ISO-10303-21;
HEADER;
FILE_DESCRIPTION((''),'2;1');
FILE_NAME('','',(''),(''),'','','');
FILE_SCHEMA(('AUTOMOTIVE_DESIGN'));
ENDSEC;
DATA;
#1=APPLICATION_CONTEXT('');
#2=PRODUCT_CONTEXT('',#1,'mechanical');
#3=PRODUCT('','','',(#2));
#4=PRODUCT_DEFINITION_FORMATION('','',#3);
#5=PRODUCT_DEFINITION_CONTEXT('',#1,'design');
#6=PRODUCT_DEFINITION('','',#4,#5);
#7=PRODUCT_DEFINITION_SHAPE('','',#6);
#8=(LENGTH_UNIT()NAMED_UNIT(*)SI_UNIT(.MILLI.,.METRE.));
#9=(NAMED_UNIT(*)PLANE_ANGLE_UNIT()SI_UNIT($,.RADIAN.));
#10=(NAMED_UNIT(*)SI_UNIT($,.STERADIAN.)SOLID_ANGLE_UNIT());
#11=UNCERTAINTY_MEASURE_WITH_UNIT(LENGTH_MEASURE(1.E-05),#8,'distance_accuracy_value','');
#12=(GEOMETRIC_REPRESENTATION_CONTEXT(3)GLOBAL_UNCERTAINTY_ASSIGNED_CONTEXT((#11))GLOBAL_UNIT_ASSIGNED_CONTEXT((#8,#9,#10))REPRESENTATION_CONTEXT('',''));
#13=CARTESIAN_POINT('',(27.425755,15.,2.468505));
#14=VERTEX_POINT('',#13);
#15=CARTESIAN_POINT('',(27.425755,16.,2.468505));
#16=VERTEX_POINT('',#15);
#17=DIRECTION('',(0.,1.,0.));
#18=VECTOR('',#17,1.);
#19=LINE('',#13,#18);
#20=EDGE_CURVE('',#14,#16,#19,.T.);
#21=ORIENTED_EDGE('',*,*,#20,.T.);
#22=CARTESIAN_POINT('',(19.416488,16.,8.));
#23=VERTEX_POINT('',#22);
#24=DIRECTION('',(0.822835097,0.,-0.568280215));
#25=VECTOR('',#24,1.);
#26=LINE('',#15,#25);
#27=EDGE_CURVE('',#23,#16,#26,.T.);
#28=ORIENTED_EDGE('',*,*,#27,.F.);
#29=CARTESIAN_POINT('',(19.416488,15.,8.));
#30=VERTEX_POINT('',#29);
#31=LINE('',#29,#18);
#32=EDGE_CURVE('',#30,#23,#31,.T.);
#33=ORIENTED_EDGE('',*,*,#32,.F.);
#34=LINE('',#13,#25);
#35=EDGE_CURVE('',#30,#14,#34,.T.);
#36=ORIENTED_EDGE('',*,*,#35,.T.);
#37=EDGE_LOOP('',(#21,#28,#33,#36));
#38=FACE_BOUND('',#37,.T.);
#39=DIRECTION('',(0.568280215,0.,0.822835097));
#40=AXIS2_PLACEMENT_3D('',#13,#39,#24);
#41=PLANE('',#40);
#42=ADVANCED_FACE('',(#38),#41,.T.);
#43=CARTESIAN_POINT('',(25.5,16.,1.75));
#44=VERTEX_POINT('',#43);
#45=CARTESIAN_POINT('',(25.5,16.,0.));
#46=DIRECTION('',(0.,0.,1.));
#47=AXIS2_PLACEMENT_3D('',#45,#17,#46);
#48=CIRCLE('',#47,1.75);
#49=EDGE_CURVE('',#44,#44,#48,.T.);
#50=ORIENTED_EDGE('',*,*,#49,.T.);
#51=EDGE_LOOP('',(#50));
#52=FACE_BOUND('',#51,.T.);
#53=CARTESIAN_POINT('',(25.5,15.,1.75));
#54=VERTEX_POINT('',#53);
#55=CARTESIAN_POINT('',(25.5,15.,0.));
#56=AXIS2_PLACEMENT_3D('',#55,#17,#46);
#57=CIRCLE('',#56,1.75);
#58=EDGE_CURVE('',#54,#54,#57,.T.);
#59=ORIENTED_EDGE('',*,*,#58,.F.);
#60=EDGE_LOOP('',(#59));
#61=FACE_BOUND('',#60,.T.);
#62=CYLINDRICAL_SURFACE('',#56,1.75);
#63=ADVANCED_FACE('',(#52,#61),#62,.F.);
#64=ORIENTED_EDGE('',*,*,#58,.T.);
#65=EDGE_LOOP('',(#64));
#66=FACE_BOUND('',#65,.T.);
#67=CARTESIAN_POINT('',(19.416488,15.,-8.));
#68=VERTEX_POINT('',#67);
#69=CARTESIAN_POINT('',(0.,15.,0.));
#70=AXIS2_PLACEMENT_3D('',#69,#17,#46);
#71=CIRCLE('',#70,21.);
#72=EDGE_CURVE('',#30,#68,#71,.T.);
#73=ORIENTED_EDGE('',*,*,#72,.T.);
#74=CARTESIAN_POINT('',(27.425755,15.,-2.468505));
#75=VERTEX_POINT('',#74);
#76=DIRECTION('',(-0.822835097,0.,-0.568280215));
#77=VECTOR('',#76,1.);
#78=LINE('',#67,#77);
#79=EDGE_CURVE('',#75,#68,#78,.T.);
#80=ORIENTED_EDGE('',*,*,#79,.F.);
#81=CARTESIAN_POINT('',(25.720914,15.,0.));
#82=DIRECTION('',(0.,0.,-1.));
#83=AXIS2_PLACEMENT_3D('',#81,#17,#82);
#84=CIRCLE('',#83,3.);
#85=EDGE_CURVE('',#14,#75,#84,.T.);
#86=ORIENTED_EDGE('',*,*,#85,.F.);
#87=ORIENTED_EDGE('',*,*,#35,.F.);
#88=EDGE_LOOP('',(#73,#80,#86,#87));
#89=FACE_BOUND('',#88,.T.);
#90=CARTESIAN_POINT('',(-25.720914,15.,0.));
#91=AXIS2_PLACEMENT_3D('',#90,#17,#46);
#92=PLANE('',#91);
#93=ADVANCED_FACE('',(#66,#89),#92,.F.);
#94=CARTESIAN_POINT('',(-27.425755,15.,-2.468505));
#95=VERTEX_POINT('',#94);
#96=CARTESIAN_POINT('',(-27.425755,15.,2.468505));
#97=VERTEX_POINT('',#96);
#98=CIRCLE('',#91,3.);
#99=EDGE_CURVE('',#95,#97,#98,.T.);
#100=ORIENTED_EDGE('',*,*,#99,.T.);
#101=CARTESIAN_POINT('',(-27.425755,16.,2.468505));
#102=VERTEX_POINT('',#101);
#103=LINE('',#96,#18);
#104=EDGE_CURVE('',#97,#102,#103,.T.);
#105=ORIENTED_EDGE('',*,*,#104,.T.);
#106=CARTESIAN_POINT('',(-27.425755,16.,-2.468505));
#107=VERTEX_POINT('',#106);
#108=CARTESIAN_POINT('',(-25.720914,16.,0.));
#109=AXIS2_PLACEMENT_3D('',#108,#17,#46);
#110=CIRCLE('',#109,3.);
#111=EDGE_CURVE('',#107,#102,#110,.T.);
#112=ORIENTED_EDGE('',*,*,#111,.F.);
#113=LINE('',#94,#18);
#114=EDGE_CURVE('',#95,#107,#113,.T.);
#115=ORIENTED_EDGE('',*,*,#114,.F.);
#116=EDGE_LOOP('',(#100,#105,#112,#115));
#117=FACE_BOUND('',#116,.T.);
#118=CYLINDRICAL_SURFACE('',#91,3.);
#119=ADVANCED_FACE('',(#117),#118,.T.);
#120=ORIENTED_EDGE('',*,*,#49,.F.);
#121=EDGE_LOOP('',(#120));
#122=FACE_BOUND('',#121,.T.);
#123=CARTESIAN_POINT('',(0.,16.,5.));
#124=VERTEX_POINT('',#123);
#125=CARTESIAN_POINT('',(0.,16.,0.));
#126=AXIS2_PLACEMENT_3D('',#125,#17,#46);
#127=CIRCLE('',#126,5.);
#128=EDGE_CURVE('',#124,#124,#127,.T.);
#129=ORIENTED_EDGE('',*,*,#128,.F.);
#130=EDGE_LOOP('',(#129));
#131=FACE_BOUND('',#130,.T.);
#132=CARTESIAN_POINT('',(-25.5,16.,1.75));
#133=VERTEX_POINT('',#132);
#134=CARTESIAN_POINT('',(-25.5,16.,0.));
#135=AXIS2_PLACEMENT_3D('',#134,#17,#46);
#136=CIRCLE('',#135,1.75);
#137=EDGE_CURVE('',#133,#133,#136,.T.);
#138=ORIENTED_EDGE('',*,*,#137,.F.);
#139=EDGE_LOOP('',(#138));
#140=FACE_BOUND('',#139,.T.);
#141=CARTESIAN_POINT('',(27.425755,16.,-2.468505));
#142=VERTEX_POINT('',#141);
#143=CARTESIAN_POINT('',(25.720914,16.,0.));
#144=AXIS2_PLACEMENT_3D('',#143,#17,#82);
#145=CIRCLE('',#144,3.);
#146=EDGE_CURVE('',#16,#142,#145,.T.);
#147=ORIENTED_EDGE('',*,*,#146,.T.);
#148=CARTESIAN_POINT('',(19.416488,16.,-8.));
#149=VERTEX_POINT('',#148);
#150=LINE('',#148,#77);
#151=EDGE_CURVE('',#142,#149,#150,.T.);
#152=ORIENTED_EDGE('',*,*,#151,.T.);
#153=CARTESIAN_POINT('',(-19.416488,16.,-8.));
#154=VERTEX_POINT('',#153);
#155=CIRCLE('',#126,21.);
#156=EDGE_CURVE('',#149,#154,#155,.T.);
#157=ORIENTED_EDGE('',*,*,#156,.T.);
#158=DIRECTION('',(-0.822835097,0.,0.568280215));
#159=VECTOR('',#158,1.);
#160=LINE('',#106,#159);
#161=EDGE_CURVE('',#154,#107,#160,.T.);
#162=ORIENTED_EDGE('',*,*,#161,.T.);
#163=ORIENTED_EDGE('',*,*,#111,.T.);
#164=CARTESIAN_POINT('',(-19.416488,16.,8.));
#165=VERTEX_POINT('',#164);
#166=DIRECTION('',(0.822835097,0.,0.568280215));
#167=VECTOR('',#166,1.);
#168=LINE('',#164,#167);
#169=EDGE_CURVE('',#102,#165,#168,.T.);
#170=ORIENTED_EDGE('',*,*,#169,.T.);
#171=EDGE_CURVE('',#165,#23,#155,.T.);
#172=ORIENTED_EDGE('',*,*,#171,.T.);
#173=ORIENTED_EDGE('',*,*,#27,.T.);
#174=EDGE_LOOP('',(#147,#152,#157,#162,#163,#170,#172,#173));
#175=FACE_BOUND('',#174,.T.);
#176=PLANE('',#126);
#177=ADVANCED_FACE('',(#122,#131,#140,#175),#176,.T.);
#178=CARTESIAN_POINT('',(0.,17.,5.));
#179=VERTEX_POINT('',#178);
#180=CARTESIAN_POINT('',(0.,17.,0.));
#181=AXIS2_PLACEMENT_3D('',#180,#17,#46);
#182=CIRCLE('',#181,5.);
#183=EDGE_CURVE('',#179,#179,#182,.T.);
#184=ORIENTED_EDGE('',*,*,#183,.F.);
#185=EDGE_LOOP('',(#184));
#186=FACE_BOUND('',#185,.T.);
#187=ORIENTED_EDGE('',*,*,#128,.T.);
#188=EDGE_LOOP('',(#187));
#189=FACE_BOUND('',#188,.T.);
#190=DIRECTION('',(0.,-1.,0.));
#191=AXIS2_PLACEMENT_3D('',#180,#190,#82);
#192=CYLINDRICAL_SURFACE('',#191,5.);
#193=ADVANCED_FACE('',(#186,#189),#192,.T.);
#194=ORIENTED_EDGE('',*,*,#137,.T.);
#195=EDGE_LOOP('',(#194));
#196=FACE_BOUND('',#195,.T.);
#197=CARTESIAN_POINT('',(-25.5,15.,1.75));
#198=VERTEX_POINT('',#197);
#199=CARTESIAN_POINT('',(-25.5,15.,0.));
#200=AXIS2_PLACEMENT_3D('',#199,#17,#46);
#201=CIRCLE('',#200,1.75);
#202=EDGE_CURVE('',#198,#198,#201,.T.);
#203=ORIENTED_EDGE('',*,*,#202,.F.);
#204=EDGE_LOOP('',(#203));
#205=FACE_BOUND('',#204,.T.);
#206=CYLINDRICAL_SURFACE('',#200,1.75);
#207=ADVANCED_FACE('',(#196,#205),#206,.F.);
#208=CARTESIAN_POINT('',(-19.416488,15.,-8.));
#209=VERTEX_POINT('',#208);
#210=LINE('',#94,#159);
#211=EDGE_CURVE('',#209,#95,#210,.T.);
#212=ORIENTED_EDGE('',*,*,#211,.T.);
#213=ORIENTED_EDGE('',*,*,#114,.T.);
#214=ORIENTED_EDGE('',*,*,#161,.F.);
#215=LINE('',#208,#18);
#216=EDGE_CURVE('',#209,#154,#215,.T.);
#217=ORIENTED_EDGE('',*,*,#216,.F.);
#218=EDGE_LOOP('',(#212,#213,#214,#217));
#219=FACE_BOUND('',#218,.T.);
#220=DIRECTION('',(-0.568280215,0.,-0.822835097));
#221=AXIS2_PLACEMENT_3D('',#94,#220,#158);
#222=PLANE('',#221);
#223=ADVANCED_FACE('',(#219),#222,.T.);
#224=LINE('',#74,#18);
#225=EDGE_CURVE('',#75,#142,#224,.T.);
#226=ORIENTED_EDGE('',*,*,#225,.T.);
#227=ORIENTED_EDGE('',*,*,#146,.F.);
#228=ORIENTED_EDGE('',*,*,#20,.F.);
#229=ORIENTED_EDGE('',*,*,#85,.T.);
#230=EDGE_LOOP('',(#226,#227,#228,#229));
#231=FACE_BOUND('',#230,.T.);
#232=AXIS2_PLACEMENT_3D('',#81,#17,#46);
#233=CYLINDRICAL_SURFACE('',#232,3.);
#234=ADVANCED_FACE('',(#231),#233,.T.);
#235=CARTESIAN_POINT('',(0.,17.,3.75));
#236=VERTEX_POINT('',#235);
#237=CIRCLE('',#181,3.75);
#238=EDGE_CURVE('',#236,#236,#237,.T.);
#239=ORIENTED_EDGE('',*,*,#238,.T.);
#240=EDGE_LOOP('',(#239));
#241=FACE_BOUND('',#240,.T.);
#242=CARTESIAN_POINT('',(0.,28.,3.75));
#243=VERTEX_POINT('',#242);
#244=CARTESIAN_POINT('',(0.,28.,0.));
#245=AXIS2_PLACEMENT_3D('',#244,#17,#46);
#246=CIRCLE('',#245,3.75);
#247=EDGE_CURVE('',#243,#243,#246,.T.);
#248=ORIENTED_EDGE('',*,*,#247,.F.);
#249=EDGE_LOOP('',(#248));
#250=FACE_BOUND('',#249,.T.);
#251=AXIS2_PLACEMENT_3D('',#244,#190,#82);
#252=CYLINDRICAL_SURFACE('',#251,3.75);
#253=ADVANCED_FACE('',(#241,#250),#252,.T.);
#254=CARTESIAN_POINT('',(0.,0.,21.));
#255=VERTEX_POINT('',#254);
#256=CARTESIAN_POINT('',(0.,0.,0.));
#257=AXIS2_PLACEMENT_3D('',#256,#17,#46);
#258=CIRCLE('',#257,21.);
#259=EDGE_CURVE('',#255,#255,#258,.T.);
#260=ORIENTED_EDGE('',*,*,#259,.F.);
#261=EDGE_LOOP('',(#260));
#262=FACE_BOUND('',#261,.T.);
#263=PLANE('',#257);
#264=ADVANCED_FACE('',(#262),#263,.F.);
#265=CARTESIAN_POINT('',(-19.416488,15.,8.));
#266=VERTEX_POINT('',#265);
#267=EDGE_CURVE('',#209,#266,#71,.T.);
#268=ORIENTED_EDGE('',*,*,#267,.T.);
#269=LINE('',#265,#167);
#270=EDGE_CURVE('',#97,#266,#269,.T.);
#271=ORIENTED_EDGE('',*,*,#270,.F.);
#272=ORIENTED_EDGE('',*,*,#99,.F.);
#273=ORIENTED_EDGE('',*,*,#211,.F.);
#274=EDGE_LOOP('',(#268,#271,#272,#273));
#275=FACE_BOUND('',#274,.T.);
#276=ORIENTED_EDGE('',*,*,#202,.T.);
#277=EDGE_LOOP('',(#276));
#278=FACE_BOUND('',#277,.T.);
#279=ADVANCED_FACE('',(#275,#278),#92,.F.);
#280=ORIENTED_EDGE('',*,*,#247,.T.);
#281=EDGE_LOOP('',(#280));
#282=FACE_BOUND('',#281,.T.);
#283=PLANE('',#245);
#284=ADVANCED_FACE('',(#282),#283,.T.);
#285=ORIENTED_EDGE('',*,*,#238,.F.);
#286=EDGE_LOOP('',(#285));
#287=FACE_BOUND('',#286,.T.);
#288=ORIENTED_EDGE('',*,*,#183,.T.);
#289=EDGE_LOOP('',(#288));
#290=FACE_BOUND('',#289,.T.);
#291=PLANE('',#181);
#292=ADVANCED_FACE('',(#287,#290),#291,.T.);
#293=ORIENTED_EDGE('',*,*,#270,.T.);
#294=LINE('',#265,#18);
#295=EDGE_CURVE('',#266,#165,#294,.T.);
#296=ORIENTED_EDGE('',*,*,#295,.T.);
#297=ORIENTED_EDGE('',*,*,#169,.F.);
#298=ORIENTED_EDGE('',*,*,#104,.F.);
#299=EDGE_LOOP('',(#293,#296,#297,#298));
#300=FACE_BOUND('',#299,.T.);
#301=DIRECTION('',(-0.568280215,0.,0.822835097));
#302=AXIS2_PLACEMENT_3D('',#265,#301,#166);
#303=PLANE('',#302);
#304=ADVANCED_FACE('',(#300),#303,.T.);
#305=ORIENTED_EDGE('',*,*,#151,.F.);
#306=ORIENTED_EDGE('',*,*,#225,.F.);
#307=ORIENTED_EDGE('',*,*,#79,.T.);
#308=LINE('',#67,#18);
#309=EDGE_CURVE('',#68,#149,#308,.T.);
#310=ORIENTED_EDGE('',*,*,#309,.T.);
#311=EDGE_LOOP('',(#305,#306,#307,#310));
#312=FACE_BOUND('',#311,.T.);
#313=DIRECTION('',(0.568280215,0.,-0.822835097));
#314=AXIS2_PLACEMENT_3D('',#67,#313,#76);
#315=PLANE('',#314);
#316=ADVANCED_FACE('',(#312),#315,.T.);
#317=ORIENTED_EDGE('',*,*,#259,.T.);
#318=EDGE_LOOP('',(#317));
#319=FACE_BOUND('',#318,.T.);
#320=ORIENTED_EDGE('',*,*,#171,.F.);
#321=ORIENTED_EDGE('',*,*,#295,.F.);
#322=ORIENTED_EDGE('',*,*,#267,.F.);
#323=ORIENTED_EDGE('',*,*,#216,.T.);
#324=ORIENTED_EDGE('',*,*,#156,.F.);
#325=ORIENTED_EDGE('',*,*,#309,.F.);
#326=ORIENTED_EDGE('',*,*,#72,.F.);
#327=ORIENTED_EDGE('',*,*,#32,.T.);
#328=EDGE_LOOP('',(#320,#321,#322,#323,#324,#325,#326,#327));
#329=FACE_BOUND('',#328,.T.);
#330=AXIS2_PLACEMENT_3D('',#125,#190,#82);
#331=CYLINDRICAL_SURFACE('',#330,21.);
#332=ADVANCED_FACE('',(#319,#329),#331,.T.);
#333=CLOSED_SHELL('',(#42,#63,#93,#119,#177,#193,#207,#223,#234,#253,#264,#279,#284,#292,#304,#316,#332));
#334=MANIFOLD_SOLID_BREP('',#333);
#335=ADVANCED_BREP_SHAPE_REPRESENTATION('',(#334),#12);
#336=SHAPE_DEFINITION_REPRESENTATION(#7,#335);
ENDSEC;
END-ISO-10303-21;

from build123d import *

# Parameters (mm, degrees)
SKETCH1_R      = 21
EXTRUDE1_DEPTH = 16
SKETCH5_R      = 1.75
EXTRUDE2_DEPTH = 1
SKETCH6_R      = 5
EXTRUDE3_DEPTH = 1
SKETCH7_R      = 3.75
EXTRUDE4_DEPTH = 11


with BuildPart() as part:
    # Sketch1 → Extrude1 (new body)
    with BuildSketch(Plane(origin=(0, 0, 0), x_dir=(1, 0, 0), z_dir=(0, 1, 0))):
        with Locations(Location((0, 0, 0), (0, 0, 270))):
            Circle(SKETCH1_R)
    extrude(amount=EXTRUDE1_DEPTH)

    # Sketch5 → Extrude2 (add)
    with BuildSketch(Plane(origin=(0, 16, 0), x_dir=(-1, 0, 0), z_dir=(0, 1, 0))):
        with BuildLine():
            Line((19.416487839, 8), (27.425754866, 2.468505292))
            ThreePointArc((27.425754866, 2.468505292), (28.720914222, 0), (27.425754866, -2.468505292))
            Line((27.425754866, -2.468505292), (19.416487839, -8))
            Line((19.416487839, -8), (-19.416487839, -8))
            Line((-19.416487839, -8), (-27.425754866, -2.468505292))
            ThreePointArc((-27.425754866, -2.468505292), (-28.720914222, 0), (-27.425754866, 2.468505292))
            Line((-27.425754866, 2.468505292), (-19.416487839, 8))
            Line((-19.416487839, 8), (19.416487839, 8))
        make_face()
        with Locations(Location((25.5, 0, 0), (0, 0, 90))):
            Circle(SKETCH5_R, mode=Mode.SUBTRACT)
        with Locations(Location((-25.5, 0, 0), (0, 0, 90))):
            Circle(SKETCH5_R, mode=Mode.SUBTRACT)
    extrude(amount=-EXTRUDE2_DEPTH)

    # Sketch6 → Extrude3 (add)
    with BuildSketch(Plane(origin=(0, 16, 0), x_dir=(-1, 0, 0), z_dir=(0, 1, 0))):
        with Locations(Location((0, 0, 0), (0, 0, 90))):
            Circle(SKETCH6_R)
    extrude(amount=EXTRUDE3_DEPTH)

    # Sketch7 → Extrude4 (add)
    with BuildSketch(Plane(origin=(0, 17, 0), x_dir=(-1, 0, 0), z_dir=(0, 1, 0))):
        with Locations(Location((0, 0, 0), (0, 0, 90))):
            Circle(SKETCH7_R)
    extrude(amount=EXTRUDE4_DEPTH)


solid = part.part
